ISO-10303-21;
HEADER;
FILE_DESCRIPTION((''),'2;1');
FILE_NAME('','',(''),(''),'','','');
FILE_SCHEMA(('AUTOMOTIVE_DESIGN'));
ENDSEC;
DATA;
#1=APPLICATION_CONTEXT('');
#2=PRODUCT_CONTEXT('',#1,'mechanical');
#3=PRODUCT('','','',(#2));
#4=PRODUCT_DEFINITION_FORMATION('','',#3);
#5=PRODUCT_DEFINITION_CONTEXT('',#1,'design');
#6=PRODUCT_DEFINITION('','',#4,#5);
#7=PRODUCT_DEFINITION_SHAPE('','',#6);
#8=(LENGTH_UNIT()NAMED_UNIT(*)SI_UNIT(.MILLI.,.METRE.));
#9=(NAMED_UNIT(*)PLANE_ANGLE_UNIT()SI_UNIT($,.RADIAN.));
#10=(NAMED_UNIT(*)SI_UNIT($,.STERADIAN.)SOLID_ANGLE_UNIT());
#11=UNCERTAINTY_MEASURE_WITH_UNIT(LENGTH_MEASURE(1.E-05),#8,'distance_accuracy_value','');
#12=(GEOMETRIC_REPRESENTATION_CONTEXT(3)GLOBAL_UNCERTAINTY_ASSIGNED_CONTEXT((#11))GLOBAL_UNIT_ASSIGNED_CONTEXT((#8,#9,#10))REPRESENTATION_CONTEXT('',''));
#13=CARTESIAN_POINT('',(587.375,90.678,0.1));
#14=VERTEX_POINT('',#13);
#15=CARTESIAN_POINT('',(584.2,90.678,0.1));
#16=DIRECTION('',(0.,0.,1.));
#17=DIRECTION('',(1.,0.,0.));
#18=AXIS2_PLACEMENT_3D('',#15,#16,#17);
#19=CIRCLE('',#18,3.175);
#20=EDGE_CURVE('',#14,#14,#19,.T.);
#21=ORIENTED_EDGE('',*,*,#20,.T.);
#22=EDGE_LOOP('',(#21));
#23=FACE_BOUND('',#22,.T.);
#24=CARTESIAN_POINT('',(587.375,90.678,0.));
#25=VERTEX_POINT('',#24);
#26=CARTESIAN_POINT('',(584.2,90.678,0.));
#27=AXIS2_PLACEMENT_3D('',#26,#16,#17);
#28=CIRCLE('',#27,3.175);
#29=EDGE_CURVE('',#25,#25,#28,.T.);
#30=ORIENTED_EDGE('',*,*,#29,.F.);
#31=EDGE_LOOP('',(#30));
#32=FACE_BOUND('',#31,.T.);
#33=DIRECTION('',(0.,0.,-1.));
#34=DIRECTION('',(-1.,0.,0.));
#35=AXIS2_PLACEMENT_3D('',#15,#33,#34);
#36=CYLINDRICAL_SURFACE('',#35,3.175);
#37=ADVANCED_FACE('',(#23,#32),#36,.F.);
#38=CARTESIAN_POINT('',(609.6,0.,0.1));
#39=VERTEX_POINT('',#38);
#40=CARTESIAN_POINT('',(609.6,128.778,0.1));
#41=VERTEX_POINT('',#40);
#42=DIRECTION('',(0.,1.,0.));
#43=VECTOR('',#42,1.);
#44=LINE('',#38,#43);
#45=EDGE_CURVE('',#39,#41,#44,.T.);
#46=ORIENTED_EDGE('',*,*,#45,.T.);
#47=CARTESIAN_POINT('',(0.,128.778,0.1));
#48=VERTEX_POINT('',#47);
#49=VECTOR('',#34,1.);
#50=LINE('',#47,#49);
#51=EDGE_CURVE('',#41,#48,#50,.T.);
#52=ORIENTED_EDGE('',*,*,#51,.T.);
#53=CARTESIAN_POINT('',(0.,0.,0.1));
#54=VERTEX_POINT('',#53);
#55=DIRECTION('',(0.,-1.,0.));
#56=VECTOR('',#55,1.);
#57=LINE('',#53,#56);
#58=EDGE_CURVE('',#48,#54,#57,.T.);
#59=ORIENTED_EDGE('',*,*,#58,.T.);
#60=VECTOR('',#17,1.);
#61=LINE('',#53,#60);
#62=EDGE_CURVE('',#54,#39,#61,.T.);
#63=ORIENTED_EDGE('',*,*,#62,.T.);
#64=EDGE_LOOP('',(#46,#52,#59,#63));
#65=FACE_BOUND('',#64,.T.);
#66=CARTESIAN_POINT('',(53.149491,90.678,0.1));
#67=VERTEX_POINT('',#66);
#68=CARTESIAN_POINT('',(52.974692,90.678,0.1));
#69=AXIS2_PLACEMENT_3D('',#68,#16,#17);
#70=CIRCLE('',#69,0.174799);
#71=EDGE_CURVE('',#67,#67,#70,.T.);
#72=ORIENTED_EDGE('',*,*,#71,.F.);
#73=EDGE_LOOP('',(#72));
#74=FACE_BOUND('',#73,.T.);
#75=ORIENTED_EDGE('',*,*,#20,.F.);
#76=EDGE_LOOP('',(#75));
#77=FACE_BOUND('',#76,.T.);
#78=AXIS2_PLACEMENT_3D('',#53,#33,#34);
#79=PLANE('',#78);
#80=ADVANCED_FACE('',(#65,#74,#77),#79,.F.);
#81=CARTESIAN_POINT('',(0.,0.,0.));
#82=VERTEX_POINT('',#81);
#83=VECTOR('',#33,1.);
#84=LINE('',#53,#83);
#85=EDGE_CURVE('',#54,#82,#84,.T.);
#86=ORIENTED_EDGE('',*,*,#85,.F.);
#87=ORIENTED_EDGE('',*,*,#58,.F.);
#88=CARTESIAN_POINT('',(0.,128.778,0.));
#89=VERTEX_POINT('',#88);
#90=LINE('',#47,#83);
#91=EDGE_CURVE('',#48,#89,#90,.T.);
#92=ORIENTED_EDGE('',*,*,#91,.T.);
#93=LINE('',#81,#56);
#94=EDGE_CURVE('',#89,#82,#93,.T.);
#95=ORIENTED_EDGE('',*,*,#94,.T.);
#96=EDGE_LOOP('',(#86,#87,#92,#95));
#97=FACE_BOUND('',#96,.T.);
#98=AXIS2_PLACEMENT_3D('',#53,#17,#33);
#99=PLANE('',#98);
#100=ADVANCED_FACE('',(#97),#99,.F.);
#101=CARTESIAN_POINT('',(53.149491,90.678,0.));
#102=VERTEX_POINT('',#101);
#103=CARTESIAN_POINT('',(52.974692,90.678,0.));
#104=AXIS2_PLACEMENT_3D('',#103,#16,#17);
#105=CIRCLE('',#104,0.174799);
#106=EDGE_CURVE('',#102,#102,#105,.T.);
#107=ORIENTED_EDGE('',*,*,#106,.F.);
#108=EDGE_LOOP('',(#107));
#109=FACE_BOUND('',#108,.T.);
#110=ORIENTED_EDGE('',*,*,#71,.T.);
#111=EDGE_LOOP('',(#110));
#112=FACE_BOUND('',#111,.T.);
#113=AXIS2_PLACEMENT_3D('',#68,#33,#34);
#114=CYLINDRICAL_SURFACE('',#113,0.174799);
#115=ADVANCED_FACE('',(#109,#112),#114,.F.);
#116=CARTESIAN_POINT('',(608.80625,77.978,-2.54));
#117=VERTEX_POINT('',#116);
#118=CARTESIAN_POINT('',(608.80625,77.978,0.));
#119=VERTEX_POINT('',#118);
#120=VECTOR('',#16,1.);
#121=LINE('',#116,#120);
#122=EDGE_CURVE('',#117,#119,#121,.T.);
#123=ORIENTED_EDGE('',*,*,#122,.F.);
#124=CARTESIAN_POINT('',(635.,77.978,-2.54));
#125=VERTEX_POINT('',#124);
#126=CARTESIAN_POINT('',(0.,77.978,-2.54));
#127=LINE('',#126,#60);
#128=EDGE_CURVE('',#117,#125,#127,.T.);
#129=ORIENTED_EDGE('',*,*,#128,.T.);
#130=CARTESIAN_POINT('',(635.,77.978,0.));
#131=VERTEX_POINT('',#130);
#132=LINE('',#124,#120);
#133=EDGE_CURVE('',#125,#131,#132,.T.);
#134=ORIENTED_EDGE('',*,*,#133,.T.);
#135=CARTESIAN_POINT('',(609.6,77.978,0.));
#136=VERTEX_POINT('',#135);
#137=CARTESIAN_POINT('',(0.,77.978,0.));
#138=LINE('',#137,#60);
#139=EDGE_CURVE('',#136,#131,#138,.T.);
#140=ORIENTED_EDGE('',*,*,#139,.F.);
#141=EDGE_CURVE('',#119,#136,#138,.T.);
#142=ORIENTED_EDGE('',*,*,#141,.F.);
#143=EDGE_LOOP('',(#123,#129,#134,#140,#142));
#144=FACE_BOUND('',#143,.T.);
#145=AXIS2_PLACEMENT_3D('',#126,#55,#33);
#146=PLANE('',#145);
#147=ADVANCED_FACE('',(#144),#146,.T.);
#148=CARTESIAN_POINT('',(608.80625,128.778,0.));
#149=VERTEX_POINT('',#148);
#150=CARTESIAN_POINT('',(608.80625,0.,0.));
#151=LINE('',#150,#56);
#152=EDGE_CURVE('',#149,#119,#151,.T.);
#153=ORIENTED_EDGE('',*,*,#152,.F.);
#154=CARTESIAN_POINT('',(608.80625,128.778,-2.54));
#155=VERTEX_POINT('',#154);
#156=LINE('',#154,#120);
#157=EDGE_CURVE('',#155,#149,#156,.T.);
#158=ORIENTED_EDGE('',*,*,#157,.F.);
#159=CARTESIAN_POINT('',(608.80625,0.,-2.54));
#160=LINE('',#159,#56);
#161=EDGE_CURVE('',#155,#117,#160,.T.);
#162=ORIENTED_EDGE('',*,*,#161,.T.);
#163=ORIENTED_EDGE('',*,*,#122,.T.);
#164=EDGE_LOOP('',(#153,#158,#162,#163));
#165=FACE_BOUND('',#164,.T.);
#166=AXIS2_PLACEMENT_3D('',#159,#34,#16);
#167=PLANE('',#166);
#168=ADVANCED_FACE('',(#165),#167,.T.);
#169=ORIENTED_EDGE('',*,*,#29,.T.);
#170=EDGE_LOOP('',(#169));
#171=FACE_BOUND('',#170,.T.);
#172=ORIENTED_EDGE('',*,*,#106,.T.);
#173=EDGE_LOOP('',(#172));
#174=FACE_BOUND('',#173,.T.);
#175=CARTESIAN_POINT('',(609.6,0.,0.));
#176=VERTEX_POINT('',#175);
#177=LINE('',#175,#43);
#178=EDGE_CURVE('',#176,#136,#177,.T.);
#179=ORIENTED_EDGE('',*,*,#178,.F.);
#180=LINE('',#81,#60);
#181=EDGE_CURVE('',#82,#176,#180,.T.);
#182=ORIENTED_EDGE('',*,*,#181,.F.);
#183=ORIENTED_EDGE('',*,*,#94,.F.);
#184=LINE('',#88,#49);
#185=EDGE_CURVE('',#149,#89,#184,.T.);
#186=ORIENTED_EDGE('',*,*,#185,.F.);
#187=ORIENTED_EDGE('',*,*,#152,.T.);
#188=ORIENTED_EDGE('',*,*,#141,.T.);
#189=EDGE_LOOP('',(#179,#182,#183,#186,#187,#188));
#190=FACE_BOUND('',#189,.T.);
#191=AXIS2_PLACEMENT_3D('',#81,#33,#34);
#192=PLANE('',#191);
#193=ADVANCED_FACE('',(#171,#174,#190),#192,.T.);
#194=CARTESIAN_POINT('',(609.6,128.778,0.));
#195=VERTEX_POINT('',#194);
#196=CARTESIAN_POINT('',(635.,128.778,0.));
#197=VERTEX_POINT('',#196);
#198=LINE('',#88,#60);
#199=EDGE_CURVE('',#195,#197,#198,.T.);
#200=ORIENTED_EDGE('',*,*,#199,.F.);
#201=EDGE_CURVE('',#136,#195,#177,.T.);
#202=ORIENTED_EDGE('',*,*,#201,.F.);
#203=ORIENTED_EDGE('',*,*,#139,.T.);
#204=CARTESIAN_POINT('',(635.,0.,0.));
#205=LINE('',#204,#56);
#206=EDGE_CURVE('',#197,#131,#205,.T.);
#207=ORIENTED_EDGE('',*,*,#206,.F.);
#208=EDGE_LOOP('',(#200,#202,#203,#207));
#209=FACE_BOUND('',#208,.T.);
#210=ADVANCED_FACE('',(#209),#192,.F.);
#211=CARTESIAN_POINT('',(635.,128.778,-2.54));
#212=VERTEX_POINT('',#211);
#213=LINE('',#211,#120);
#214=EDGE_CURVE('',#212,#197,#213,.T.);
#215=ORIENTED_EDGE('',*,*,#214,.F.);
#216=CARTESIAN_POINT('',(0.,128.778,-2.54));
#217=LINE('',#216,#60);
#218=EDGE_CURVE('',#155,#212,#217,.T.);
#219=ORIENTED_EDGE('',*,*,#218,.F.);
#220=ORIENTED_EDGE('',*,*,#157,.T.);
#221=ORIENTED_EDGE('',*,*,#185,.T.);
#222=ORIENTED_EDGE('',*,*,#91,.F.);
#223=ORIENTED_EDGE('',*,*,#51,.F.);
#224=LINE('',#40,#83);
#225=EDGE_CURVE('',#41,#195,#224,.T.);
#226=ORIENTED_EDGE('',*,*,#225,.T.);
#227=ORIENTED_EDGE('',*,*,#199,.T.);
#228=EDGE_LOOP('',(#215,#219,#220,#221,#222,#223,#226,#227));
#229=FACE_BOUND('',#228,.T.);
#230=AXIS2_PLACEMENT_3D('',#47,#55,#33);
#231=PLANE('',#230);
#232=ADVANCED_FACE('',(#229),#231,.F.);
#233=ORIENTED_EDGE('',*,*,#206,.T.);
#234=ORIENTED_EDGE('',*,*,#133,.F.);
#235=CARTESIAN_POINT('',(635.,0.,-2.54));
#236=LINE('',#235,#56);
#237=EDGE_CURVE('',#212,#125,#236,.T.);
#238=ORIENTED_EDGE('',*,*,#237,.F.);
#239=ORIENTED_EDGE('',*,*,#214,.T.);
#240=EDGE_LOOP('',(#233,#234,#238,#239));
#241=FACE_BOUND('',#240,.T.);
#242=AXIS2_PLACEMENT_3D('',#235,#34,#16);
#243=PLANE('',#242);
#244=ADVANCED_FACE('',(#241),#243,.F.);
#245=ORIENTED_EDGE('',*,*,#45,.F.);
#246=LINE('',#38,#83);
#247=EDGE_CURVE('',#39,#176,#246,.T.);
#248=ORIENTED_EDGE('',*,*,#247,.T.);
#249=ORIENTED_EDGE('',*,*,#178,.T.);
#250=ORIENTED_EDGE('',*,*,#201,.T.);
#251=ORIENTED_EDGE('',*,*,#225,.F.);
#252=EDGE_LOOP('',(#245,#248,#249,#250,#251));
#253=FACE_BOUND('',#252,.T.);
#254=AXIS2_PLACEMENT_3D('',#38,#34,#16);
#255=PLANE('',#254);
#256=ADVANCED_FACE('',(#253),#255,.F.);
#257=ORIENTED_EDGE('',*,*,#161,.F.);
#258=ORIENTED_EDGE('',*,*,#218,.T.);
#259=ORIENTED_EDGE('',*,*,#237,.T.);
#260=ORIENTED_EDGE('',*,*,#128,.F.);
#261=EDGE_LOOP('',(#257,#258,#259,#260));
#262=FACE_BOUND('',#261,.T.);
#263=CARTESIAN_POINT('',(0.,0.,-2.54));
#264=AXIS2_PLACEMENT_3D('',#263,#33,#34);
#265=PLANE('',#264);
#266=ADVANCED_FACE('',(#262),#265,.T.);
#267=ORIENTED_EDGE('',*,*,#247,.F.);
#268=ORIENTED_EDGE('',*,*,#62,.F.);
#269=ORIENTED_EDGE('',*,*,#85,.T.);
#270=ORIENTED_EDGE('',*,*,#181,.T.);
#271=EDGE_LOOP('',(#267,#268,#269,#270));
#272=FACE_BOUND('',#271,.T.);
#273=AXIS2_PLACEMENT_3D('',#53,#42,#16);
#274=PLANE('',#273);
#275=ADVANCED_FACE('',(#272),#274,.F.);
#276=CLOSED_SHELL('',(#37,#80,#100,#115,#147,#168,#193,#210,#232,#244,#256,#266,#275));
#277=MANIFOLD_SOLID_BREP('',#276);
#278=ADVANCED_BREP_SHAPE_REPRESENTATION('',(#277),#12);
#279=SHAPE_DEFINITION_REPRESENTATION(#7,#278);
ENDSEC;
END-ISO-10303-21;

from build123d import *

# Parameters (mm, degrees)
SKETCH1_W           = 609.6
SKETCH1_H           = 128.778
SKETCH1_R           = 0.174798991
SKETCH1_R_2         = 3.175
BOSS_EXTRUDE1_DEPTH = 0.0999998
SKETCH2_W           = 25.4
SKETCH2_H           = 50.8
SKETCH2_W_2         = 0.79375
BOSS_EXTRUDE2_DEPTH = 2.54


with BuildPart() as part:
    # Sketch1 → Boss-Extrude1 (new body)
    with BuildSketch(Plane.XY):
        with Locations((304.8, 64.389)):
            Rectangle(SKETCH1_W, SKETCH1_H)
        with Locations((52.974692136, 90.678)):
            Circle(SKETCH1_R, mode=Mode.SUBTRACT)
        with Locations((584.2, 90.678)):
            Circle(SKETCH1_R_2, mode=Mode.SUBTRACT)
    extrude(amount=BOSS_EXTRUDE1_DEPTH)

    # Sketch2 → Boss-Extrude2 (add)
    with BuildSketch(Plane(origin=(0, 0, 0), x_dir=(-1, 0, 0), z_dir=(0, 0, -1))):
        with Locations((-622.3, 103.378)):
            Rectangle(SKETCH2_W, SKETCH2_H)
        with Locations((-609.203125, 103.378)):
            Rectangle(SKETCH2_W_2, SKETCH2_H)
    extrude(amount=BOSS_EXTRUDE2_DEPTH)


solid = part.part
